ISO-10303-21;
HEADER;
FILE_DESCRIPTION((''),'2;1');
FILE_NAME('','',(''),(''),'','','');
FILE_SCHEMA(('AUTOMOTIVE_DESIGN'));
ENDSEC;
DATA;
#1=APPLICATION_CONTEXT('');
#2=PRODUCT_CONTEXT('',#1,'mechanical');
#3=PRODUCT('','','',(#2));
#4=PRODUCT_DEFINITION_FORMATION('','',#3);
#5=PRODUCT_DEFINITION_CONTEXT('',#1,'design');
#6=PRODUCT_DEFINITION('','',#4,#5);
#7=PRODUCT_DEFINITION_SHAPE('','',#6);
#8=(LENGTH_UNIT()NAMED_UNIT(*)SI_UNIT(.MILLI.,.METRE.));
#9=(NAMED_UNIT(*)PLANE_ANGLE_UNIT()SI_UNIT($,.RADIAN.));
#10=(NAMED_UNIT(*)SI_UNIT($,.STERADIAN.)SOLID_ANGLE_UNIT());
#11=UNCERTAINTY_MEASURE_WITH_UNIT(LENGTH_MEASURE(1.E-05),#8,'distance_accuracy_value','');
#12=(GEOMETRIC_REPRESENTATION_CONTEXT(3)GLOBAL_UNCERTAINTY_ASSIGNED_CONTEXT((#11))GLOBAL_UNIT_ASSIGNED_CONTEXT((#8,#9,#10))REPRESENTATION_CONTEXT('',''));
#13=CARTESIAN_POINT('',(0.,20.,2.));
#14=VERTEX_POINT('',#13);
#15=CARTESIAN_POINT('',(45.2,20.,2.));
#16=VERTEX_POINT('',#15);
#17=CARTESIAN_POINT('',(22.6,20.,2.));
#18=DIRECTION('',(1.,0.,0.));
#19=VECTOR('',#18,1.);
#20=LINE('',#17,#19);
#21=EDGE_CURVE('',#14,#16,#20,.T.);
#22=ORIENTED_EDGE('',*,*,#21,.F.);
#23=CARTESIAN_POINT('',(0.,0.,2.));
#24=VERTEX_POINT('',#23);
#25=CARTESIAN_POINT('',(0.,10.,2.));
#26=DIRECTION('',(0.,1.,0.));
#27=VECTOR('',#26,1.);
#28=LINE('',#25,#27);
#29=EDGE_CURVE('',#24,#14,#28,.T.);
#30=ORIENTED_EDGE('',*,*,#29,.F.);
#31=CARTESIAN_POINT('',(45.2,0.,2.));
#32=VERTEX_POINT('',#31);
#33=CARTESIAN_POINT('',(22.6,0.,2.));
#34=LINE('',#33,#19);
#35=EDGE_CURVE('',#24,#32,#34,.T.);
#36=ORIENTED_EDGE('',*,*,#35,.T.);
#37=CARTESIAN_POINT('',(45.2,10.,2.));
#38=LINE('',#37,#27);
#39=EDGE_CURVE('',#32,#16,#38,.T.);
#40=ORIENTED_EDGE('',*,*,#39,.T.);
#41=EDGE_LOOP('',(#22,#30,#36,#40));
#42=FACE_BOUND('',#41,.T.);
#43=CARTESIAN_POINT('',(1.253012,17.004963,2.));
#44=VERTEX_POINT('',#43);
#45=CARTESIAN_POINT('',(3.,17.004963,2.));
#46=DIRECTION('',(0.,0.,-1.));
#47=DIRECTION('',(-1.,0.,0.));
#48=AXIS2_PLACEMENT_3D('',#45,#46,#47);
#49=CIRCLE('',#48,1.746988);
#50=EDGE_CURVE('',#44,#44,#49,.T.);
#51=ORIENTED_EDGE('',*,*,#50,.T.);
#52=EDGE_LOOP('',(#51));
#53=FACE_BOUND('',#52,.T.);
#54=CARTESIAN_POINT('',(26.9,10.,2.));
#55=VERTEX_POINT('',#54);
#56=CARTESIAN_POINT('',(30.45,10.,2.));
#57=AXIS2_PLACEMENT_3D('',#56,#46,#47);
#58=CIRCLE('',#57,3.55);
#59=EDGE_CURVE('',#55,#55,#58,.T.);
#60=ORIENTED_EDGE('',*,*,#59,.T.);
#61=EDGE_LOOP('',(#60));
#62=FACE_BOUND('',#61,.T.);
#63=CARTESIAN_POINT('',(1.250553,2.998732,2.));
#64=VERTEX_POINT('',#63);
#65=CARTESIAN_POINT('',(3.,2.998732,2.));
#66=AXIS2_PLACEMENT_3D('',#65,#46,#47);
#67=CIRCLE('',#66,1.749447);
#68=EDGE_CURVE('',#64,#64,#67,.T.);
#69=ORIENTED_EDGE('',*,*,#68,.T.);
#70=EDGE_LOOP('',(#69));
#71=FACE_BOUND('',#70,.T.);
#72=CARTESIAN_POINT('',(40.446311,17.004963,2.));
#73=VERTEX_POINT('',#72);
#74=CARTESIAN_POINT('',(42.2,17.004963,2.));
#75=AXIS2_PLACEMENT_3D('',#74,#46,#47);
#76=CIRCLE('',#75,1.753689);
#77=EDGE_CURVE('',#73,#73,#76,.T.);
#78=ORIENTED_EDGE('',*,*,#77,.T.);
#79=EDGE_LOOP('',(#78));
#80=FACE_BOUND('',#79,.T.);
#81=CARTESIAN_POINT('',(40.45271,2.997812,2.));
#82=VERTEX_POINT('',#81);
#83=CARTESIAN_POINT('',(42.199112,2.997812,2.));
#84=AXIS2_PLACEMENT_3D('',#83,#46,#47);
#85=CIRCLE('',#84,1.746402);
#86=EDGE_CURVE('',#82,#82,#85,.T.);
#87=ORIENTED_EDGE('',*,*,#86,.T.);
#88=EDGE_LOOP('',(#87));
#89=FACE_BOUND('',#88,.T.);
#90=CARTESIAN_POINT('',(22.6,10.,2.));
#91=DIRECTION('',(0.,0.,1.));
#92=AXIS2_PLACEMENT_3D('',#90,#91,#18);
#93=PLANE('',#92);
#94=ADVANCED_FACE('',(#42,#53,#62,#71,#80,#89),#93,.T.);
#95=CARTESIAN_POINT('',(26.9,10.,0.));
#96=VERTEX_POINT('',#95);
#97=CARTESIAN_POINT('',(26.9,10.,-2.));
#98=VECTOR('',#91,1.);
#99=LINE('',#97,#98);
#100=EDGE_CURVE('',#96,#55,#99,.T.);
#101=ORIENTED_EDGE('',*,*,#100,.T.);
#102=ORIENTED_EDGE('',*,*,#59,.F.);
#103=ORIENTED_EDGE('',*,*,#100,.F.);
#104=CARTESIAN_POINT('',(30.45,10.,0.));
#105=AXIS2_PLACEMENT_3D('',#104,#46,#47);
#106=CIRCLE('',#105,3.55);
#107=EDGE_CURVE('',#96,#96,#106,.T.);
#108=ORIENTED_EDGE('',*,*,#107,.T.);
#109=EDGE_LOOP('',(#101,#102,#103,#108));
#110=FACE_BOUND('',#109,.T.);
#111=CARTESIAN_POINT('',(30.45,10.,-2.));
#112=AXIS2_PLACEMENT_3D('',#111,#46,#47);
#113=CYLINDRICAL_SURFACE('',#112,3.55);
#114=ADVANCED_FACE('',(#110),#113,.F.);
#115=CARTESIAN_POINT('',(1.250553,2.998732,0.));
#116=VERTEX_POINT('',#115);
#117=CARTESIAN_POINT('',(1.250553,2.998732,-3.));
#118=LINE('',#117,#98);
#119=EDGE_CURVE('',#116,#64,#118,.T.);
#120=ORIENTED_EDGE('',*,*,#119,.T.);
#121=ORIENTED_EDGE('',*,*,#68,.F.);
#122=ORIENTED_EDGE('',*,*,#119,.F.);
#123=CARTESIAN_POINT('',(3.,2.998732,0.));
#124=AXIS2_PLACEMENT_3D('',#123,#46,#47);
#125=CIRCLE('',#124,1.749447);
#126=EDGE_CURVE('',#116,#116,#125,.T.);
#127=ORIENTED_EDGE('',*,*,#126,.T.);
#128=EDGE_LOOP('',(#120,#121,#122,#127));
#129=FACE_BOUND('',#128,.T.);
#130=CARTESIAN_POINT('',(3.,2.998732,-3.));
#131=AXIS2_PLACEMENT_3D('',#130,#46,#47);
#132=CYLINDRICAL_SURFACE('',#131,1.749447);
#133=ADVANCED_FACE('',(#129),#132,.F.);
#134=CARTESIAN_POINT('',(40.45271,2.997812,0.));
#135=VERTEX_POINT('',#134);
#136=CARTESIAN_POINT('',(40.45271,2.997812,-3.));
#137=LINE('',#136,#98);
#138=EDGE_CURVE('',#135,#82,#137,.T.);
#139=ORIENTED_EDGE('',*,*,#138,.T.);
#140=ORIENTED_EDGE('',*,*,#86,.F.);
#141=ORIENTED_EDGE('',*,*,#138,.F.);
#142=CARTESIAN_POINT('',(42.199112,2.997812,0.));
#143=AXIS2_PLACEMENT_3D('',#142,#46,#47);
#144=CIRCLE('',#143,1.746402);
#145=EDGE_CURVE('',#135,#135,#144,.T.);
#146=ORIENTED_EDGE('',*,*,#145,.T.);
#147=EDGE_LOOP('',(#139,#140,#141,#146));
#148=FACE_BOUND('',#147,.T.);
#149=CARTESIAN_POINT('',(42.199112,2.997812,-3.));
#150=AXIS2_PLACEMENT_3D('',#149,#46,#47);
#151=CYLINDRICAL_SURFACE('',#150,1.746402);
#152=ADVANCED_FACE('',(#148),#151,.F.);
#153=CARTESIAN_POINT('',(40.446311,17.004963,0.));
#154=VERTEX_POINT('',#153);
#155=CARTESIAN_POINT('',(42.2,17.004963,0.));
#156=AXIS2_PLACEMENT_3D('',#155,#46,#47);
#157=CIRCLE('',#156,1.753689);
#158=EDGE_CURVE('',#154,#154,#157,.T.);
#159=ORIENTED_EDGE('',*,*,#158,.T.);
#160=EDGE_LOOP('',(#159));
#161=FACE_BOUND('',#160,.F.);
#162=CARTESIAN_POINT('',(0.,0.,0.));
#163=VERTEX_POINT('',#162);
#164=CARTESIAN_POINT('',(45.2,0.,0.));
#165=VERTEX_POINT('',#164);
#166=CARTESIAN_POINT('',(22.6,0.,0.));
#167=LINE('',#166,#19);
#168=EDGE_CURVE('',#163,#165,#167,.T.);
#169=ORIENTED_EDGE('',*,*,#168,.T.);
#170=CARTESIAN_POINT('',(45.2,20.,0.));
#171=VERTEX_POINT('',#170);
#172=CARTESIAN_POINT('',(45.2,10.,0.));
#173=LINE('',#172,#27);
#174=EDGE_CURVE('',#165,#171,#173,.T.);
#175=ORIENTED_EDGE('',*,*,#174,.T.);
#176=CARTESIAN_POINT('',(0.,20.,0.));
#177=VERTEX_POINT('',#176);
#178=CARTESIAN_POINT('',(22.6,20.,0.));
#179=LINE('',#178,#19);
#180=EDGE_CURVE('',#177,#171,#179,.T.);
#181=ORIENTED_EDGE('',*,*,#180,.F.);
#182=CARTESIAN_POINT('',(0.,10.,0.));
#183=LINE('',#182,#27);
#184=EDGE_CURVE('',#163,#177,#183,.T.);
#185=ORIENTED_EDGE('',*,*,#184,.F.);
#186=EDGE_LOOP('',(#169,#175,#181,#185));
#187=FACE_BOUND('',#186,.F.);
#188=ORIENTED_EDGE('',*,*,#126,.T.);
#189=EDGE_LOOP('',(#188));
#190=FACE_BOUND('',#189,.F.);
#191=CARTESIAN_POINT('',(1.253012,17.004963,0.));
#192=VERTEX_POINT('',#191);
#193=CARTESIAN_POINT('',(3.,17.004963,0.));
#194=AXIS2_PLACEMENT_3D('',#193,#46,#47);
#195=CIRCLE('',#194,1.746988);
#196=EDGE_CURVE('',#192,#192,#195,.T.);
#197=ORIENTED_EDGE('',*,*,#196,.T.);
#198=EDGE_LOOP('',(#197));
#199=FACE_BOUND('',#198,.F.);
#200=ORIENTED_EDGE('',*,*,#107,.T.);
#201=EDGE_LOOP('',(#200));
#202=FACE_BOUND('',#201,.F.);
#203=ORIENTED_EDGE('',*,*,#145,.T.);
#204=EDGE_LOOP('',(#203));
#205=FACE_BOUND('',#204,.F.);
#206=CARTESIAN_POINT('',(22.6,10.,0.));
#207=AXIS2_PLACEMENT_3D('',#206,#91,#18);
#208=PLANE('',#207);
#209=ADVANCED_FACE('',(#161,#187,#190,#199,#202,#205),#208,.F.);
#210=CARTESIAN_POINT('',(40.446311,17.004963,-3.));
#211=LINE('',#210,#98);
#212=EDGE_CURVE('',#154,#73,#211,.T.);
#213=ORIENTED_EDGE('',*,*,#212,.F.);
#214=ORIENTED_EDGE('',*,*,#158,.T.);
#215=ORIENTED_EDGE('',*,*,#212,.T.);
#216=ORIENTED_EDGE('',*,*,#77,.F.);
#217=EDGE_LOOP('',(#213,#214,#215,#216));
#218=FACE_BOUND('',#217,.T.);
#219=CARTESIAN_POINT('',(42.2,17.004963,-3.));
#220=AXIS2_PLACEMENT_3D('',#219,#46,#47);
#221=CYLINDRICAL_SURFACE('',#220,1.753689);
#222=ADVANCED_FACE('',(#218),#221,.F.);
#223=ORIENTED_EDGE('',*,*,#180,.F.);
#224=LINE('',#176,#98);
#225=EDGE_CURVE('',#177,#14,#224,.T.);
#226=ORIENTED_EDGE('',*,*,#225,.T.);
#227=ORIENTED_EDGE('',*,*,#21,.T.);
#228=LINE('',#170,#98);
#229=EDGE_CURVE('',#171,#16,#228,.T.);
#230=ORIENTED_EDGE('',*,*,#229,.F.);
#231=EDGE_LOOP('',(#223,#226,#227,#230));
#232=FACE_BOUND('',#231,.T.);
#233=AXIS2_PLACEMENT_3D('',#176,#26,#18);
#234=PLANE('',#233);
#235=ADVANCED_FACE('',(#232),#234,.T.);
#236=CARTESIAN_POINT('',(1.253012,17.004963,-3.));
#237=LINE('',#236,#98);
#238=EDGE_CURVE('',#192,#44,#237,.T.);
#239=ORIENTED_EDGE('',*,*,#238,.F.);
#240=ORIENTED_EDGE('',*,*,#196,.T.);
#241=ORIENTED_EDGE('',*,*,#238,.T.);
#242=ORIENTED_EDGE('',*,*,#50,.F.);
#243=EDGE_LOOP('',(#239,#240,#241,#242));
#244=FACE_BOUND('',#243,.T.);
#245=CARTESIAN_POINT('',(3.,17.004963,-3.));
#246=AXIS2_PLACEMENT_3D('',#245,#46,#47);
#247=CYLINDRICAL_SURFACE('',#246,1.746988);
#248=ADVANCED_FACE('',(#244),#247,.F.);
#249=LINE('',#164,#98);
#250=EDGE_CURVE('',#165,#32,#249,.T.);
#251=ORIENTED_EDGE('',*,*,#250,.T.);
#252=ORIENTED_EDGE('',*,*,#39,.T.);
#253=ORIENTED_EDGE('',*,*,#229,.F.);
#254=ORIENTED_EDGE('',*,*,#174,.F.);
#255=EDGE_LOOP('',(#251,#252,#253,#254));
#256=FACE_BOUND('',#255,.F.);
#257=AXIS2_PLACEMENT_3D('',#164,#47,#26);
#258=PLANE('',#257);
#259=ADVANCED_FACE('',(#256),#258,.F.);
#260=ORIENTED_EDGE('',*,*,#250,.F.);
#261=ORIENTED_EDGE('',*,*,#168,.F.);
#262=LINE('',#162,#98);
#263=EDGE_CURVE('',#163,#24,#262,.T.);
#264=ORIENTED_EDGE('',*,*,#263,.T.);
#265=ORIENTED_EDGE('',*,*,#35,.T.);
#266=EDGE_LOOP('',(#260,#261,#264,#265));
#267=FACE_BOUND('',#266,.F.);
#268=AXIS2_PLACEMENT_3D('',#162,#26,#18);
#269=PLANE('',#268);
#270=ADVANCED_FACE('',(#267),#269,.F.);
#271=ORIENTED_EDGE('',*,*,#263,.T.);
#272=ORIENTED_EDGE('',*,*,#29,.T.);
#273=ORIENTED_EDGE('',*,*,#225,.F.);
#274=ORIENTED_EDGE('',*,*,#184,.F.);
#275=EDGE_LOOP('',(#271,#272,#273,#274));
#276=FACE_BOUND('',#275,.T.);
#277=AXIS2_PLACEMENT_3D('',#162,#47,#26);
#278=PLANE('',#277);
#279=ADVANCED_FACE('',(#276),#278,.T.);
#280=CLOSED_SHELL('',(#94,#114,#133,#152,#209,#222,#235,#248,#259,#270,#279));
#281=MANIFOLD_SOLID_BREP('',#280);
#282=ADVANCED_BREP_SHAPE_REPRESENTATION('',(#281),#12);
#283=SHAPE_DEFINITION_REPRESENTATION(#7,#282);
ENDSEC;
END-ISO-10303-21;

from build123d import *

# Parameters (mm, degrees)
CIRCLE004_R      = 3.55
EXTRUDE004_DEPTH = 10
CIRCLE002_R      = 1.753689
EXTRUDE003_DEPTH = 10
CIRCLE001_R      = 1.746402
EXTRUDE002_DEPTH = 10
CIRCLE003_R      = 1.746988
EXTRUDE_DEPTH    = 10
CIRCLE_R         = 1.749447
EXTRUDE001_DEPTH = 10
BOX_W            = 45.2
BOX_H            = 20
BOX_DEPTH        = 2


with BuildPart() as extrude004:
    # Circle004 → Extrude004 (new body)
    with BuildSketch(Plane(origin=(30.45, 10, 2), x_dir=(-1, 0, 0), z_dir=(0, 0, 1))):
        Circle(CIRCLE004_R)
    extrude(amount=EXTRUDE004_DEPTH)


with BuildPart() as extrude004_1:
    # Extrude004 placement: moved
    add(extrude004.part.moved(Location((0, 0, -4))))


with BuildPart() as extrude003:
    # Circle002 → Extrude003 (new body)
    with BuildSketch(Plane(origin=(42.2, 17.004963, 2), x_dir=(-1, 0, 0), z_dir=(0, 0, 1))):
        Circle(CIRCLE002_R)
    extrude(amount=EXTRUDE003_DEPTH)


with BuildPart() as extrude003_1:
    # Extrude003 placement: moved
    add(extrude003.part.moved(Location((0, 0, -5))))


with BuildPart() as extrude002:
    # Circle001 → Extrude002 (new body)
    with BuildSketch(Plane(origin=(42.199112, 2.997812, 2), x_dir=(-1, 0, 0), z_dir=(0, 0, 1))):
        Circle(CIRCLE001_R)
    extrude(amount=EXTRUDE002_DEPTH)


with BuildPart() as extrude002_1:
    # Extrude002 placement: moved
    add(extrude002.part.moved(Location((0, 0, -5))))


with BuildPart() as extrude_body:
    # Circle003 → Extrude (new body)
    with BuildSketch(Plane(origin=(3, 17.004963, 2), x_dir=(-1, 0, 0), z_dir=(0, 0, 1))):
        Circle(CIRCLE003_R)
    extrude(amount=EXTRUDE_DEPTH)


with BuildPart() as extrude_body_1:
    # Extrude placement: moved
    add(extrude_body.part.moved(Location((0, 0, -5))))


with BuildPart() as extrude001:
    # Circle → Extrude001 (new body)
    with BuildSketch(Plane(origin=(3, 2.998732, 2), x_dir=(-1, 0, 0), z_dir=(0, 0, 1))):
        Circle(CIRCLE_R)
    extrude(amount=EXTRUDE001_DEPTH)


with BuildPart() as extrude001_1:
    # Extrude001 placement: moved
    add(extrude001.part.moved(Location((0, 0, -5))))


with BuildPart() as base_con_agujeros:
    # Box → Box (new body)
    with BuildSketch(Plane.XY):
        with Locations((22.6, 10)):
            Rectangle(BOX_W, BOX_H)
    extrude(amount=BOX_DEPTH)

    # Cut: cut Extrude001
    add(extrude001_1.part, mode=Mode.SUBTRACT)

    # Cut001: cut Extrude body
    add(extrude_body_1.part, mode=Mode.SUBTRACT)

    # Cut002: cut Extrude002
    add(extrude002_1.part, mode=Mode.SUBTRACT)

    # Cut003: cut Extrude003
    add(extrude003_1.part, mode=Mode.SUBTRACT)

    # Cut004: cut Extrude004
    add(extrude004_1.part, mode=Mode.SUBTRACT)


solid = base_con_agujeros.part
